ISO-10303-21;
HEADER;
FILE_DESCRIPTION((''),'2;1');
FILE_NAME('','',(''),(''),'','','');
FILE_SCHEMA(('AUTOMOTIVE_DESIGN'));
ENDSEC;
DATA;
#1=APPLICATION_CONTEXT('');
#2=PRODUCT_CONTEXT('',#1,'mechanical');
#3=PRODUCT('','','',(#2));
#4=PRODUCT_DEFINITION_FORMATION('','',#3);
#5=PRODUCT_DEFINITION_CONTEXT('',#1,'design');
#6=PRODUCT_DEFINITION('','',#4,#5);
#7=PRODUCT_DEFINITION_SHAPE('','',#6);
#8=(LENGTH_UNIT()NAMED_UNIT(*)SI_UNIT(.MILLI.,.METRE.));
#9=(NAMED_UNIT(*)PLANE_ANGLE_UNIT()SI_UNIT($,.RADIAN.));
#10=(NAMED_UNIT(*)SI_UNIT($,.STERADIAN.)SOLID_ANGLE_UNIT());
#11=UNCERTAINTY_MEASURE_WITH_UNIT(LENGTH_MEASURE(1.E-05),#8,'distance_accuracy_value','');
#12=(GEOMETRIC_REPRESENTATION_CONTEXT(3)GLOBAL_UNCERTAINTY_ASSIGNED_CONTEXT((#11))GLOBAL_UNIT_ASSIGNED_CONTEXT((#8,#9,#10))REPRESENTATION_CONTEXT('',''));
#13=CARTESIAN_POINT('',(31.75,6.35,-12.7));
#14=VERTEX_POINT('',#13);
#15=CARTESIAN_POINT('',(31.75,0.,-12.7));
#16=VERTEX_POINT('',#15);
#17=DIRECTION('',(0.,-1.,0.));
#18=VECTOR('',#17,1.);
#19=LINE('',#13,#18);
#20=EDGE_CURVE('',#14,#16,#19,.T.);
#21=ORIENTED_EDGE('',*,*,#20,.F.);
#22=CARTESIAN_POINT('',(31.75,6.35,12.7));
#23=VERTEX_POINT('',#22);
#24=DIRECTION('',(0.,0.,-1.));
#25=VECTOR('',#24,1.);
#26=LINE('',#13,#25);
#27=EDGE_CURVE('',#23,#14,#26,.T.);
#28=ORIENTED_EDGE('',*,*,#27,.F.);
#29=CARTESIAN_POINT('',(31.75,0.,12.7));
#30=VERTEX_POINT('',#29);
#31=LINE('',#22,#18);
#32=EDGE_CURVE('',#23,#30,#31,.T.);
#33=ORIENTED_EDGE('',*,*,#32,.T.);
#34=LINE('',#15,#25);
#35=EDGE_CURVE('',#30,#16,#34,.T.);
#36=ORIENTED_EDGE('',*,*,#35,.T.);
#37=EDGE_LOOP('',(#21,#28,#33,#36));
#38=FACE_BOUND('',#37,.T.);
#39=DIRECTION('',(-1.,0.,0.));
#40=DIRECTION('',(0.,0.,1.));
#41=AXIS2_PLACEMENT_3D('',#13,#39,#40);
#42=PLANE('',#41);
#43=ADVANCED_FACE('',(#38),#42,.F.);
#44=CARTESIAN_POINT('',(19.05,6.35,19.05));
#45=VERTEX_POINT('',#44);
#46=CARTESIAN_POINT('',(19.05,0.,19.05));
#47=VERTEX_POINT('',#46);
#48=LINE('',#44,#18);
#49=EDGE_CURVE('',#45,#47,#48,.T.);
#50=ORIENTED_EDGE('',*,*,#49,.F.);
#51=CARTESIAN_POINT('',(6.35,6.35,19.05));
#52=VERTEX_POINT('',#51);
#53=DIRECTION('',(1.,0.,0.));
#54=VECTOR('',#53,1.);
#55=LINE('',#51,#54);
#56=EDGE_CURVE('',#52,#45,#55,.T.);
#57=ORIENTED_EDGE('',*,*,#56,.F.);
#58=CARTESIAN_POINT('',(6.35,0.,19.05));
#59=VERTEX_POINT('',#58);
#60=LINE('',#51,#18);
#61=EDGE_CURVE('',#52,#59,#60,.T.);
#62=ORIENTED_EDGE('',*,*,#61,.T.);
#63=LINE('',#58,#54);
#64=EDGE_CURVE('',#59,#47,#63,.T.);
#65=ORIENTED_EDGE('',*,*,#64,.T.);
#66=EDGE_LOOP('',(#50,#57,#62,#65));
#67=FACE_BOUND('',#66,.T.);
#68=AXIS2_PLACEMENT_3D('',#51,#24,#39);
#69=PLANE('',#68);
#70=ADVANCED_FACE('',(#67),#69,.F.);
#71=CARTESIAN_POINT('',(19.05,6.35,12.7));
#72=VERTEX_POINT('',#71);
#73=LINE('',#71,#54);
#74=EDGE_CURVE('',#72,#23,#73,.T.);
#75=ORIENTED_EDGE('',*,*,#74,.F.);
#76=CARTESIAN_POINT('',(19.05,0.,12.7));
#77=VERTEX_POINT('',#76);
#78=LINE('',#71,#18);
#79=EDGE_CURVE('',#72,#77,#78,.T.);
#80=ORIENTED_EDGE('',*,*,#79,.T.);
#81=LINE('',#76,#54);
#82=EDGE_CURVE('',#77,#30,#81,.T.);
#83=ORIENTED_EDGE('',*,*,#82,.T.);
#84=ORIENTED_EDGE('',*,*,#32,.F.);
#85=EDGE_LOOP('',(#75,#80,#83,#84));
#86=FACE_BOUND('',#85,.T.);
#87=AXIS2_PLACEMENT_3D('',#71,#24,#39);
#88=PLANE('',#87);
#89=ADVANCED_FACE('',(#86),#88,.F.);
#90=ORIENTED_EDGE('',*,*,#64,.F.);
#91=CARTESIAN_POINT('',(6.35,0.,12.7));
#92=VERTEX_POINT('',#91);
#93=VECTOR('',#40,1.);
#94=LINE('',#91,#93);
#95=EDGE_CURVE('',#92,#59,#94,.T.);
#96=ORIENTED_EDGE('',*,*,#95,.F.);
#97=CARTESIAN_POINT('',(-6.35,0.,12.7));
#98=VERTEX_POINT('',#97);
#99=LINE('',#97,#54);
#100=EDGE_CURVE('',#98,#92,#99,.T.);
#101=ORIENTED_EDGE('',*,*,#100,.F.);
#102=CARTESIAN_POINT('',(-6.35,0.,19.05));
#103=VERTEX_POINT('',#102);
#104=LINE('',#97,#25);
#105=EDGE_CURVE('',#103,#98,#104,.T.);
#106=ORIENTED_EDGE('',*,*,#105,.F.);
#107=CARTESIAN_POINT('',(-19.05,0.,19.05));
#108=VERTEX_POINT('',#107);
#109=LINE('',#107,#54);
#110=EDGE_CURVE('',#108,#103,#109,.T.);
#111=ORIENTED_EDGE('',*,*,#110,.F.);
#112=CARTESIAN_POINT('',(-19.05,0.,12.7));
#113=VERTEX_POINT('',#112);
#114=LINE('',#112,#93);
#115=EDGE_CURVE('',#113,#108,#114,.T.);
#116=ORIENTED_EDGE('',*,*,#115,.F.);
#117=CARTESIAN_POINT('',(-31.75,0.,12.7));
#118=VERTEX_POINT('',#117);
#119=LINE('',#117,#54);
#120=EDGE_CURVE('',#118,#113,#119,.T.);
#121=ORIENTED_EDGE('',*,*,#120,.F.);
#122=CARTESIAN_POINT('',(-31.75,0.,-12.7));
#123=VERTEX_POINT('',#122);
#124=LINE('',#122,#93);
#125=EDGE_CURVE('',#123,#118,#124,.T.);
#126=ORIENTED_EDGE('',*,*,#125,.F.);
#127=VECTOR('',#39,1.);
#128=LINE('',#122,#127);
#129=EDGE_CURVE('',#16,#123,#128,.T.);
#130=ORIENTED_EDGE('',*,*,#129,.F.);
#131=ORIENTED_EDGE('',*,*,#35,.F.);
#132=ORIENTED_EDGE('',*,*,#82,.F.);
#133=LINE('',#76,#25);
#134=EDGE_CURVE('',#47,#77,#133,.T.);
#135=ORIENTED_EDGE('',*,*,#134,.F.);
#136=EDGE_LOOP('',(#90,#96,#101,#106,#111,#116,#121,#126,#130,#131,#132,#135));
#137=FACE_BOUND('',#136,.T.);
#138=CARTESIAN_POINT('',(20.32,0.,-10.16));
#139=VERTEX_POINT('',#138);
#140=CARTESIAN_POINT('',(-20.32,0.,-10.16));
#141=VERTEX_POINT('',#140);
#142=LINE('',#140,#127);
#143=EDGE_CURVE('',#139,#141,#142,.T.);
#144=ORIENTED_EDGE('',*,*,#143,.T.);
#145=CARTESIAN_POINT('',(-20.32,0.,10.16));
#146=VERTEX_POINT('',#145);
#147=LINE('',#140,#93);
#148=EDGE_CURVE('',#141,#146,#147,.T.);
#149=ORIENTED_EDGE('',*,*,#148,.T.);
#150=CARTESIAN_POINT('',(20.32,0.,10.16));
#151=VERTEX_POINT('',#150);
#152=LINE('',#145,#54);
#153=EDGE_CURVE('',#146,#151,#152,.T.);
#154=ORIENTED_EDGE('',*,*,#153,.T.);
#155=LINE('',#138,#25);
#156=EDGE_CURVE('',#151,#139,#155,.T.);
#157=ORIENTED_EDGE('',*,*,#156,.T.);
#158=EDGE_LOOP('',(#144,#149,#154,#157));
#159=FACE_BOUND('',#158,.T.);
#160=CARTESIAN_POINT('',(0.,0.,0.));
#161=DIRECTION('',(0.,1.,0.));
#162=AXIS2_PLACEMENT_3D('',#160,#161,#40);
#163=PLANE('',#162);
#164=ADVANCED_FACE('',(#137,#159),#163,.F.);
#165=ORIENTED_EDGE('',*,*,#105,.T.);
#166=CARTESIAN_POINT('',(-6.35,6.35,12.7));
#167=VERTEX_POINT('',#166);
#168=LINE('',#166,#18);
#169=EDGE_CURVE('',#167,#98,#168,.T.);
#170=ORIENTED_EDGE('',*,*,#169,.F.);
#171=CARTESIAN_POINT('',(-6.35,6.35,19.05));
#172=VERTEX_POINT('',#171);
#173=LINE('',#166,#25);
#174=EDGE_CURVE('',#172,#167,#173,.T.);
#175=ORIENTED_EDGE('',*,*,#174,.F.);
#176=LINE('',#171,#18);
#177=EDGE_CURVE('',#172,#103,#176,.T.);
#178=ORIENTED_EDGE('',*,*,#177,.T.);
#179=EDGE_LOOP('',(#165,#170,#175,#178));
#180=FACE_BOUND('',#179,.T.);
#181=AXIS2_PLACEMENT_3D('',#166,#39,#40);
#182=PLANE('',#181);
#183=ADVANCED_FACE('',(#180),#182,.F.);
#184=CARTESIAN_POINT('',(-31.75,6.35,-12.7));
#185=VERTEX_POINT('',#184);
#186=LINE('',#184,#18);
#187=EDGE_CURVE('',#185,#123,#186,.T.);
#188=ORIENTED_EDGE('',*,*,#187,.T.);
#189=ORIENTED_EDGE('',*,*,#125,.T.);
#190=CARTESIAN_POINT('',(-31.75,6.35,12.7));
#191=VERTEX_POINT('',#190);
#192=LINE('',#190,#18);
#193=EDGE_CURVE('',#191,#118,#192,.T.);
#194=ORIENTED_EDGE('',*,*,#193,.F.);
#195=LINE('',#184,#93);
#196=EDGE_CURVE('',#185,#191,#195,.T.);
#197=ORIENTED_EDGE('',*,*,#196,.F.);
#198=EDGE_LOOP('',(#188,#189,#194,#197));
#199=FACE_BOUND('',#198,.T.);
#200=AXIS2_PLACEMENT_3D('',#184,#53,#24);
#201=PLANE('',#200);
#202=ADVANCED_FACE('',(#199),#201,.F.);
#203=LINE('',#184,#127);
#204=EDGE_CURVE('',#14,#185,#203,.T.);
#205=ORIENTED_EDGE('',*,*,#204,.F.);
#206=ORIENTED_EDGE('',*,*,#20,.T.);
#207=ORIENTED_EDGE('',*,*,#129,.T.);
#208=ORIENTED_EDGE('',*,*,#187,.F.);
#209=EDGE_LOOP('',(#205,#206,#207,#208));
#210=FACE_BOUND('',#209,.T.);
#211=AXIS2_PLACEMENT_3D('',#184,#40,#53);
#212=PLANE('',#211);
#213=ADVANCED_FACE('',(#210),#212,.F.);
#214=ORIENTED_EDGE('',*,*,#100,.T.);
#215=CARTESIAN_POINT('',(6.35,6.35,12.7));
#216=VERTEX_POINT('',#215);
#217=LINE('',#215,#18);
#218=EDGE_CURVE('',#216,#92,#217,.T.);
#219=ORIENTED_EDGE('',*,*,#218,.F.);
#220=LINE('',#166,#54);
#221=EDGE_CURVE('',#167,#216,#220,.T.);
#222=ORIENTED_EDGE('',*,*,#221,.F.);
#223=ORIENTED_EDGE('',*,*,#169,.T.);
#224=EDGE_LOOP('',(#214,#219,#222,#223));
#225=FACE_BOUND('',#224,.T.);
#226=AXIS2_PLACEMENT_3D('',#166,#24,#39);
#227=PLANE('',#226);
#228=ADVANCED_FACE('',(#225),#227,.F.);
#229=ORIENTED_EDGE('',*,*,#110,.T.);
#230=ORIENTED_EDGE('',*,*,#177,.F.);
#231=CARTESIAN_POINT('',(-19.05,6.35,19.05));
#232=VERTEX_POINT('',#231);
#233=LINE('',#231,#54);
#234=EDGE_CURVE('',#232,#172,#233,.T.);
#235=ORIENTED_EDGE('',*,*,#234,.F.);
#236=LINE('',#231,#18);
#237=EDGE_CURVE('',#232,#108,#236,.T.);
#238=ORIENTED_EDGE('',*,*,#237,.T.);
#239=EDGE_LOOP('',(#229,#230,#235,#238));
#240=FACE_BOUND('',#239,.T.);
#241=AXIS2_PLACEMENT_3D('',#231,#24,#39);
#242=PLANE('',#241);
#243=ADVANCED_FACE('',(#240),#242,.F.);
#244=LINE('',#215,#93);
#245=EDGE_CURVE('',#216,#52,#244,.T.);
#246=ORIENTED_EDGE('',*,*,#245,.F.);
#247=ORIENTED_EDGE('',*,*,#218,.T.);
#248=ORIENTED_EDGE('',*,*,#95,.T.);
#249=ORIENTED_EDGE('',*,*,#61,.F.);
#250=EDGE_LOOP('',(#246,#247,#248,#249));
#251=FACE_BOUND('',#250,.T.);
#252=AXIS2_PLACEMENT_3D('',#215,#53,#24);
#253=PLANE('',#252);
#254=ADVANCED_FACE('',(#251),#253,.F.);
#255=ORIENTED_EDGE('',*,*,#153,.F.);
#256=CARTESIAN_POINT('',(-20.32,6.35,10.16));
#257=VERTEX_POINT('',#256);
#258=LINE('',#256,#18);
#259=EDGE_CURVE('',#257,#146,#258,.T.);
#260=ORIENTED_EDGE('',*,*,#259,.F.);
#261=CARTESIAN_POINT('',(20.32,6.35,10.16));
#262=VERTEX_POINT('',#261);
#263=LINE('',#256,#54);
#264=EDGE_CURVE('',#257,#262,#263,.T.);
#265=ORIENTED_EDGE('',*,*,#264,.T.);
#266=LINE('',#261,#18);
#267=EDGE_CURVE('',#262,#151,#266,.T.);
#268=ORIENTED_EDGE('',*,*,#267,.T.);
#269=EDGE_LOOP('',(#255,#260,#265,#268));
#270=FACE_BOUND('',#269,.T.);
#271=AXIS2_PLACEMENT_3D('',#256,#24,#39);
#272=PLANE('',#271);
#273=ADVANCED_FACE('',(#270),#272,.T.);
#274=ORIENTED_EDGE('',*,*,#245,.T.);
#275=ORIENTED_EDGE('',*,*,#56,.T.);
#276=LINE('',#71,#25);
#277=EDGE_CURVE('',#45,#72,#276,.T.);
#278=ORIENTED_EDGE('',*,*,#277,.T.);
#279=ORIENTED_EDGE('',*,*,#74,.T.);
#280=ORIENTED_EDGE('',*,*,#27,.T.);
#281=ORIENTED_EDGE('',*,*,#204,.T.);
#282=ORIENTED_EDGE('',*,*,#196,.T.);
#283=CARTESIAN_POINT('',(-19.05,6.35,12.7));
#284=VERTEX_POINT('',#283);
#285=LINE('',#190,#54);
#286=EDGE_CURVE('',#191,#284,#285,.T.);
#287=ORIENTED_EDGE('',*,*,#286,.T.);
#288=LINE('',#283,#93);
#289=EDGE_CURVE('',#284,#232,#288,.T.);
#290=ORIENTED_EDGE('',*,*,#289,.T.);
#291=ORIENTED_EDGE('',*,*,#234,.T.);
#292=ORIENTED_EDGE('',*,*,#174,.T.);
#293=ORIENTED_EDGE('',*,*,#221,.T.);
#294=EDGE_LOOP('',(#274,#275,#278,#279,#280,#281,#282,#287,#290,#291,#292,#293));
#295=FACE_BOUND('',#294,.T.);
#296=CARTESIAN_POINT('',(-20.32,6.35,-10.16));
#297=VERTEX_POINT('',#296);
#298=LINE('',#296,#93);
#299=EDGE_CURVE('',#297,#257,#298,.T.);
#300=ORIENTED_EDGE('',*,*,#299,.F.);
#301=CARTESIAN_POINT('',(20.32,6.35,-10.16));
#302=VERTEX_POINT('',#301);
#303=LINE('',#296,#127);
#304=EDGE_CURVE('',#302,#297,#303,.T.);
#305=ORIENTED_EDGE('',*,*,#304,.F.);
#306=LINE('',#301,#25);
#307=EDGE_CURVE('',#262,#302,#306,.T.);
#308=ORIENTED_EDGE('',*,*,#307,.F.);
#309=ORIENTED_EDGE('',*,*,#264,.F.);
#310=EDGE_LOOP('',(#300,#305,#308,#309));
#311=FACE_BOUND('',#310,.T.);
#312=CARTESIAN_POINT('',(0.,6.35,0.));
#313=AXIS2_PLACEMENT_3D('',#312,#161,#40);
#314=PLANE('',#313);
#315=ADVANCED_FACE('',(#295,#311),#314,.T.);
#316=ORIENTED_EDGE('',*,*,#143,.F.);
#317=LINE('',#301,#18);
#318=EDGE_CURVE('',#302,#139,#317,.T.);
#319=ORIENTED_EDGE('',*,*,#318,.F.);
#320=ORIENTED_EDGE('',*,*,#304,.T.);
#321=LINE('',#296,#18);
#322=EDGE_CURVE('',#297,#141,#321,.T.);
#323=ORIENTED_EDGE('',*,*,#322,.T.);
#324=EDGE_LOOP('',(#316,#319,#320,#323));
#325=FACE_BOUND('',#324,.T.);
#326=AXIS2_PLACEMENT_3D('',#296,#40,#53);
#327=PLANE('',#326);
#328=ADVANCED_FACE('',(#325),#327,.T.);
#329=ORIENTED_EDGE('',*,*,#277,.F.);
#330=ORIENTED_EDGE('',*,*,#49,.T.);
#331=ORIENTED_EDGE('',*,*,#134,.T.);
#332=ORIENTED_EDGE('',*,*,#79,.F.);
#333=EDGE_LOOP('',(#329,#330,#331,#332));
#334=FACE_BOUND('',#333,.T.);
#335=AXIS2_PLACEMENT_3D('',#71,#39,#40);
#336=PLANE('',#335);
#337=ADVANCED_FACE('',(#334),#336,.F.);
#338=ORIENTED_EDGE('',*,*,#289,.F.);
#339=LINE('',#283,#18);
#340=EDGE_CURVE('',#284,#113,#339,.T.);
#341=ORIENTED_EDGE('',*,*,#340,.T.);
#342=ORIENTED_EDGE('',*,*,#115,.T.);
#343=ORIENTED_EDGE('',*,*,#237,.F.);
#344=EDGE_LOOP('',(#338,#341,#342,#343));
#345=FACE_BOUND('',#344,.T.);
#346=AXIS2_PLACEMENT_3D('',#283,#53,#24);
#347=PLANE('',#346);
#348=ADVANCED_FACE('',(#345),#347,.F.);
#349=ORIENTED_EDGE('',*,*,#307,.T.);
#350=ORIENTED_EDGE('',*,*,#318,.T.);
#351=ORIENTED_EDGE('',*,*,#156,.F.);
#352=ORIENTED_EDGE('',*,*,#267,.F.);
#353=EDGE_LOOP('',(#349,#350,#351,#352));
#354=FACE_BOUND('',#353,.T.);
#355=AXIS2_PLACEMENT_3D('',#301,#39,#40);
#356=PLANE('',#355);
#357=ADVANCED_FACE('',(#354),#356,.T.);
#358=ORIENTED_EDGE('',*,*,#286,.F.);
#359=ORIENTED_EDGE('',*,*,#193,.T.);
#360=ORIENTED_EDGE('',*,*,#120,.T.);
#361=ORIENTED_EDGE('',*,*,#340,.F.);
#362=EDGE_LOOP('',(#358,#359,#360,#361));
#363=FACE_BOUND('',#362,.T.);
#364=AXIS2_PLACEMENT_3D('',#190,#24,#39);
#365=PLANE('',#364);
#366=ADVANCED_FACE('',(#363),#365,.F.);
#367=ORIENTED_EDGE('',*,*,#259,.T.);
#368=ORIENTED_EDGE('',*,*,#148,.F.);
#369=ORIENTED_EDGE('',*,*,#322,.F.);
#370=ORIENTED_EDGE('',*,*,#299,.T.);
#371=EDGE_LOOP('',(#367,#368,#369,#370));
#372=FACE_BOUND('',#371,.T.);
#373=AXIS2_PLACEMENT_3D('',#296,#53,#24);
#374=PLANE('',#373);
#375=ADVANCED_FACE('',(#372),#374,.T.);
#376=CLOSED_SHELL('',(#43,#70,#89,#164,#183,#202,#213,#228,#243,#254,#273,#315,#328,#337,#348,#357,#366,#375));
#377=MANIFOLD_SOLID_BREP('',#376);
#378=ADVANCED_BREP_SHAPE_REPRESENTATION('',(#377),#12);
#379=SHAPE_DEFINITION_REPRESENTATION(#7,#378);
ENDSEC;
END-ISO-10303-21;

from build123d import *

# Parameters (mm, degrees)
SKETCH1_W           = 40.64
SKETCH1_H           = 20.32
BOSS_EXTRUDE1_DEPTH = 6.35


with BuildPart() as part:
    # Sketch1 → Boss-Extrude1 (new body)
    with BuildSketch(Plane(origin=(0, 0, 0), x_dir=(1, 0, 0), z_dir=(0, 1, 0))):
        Polygon((-31.75, 12.7), (31.75, 12.7), (31.75, -12.7), (19.05, -12.7), (19.05, -19.05), (6.35, -19.05), (6.35, -12.7), (-6.35, -12.7), (-6.35, -19.05), (-19.05, -19.05), (-19.05, -12.7), (-31.75, -12.7), align=None)
        Rectangle(SKETCH1_W, SKETCH1_H, mode=Mode.SUBTRACT)
    extrude(amount=BOSS_EXTRUDE1_DEPTH)


solid = part.part
